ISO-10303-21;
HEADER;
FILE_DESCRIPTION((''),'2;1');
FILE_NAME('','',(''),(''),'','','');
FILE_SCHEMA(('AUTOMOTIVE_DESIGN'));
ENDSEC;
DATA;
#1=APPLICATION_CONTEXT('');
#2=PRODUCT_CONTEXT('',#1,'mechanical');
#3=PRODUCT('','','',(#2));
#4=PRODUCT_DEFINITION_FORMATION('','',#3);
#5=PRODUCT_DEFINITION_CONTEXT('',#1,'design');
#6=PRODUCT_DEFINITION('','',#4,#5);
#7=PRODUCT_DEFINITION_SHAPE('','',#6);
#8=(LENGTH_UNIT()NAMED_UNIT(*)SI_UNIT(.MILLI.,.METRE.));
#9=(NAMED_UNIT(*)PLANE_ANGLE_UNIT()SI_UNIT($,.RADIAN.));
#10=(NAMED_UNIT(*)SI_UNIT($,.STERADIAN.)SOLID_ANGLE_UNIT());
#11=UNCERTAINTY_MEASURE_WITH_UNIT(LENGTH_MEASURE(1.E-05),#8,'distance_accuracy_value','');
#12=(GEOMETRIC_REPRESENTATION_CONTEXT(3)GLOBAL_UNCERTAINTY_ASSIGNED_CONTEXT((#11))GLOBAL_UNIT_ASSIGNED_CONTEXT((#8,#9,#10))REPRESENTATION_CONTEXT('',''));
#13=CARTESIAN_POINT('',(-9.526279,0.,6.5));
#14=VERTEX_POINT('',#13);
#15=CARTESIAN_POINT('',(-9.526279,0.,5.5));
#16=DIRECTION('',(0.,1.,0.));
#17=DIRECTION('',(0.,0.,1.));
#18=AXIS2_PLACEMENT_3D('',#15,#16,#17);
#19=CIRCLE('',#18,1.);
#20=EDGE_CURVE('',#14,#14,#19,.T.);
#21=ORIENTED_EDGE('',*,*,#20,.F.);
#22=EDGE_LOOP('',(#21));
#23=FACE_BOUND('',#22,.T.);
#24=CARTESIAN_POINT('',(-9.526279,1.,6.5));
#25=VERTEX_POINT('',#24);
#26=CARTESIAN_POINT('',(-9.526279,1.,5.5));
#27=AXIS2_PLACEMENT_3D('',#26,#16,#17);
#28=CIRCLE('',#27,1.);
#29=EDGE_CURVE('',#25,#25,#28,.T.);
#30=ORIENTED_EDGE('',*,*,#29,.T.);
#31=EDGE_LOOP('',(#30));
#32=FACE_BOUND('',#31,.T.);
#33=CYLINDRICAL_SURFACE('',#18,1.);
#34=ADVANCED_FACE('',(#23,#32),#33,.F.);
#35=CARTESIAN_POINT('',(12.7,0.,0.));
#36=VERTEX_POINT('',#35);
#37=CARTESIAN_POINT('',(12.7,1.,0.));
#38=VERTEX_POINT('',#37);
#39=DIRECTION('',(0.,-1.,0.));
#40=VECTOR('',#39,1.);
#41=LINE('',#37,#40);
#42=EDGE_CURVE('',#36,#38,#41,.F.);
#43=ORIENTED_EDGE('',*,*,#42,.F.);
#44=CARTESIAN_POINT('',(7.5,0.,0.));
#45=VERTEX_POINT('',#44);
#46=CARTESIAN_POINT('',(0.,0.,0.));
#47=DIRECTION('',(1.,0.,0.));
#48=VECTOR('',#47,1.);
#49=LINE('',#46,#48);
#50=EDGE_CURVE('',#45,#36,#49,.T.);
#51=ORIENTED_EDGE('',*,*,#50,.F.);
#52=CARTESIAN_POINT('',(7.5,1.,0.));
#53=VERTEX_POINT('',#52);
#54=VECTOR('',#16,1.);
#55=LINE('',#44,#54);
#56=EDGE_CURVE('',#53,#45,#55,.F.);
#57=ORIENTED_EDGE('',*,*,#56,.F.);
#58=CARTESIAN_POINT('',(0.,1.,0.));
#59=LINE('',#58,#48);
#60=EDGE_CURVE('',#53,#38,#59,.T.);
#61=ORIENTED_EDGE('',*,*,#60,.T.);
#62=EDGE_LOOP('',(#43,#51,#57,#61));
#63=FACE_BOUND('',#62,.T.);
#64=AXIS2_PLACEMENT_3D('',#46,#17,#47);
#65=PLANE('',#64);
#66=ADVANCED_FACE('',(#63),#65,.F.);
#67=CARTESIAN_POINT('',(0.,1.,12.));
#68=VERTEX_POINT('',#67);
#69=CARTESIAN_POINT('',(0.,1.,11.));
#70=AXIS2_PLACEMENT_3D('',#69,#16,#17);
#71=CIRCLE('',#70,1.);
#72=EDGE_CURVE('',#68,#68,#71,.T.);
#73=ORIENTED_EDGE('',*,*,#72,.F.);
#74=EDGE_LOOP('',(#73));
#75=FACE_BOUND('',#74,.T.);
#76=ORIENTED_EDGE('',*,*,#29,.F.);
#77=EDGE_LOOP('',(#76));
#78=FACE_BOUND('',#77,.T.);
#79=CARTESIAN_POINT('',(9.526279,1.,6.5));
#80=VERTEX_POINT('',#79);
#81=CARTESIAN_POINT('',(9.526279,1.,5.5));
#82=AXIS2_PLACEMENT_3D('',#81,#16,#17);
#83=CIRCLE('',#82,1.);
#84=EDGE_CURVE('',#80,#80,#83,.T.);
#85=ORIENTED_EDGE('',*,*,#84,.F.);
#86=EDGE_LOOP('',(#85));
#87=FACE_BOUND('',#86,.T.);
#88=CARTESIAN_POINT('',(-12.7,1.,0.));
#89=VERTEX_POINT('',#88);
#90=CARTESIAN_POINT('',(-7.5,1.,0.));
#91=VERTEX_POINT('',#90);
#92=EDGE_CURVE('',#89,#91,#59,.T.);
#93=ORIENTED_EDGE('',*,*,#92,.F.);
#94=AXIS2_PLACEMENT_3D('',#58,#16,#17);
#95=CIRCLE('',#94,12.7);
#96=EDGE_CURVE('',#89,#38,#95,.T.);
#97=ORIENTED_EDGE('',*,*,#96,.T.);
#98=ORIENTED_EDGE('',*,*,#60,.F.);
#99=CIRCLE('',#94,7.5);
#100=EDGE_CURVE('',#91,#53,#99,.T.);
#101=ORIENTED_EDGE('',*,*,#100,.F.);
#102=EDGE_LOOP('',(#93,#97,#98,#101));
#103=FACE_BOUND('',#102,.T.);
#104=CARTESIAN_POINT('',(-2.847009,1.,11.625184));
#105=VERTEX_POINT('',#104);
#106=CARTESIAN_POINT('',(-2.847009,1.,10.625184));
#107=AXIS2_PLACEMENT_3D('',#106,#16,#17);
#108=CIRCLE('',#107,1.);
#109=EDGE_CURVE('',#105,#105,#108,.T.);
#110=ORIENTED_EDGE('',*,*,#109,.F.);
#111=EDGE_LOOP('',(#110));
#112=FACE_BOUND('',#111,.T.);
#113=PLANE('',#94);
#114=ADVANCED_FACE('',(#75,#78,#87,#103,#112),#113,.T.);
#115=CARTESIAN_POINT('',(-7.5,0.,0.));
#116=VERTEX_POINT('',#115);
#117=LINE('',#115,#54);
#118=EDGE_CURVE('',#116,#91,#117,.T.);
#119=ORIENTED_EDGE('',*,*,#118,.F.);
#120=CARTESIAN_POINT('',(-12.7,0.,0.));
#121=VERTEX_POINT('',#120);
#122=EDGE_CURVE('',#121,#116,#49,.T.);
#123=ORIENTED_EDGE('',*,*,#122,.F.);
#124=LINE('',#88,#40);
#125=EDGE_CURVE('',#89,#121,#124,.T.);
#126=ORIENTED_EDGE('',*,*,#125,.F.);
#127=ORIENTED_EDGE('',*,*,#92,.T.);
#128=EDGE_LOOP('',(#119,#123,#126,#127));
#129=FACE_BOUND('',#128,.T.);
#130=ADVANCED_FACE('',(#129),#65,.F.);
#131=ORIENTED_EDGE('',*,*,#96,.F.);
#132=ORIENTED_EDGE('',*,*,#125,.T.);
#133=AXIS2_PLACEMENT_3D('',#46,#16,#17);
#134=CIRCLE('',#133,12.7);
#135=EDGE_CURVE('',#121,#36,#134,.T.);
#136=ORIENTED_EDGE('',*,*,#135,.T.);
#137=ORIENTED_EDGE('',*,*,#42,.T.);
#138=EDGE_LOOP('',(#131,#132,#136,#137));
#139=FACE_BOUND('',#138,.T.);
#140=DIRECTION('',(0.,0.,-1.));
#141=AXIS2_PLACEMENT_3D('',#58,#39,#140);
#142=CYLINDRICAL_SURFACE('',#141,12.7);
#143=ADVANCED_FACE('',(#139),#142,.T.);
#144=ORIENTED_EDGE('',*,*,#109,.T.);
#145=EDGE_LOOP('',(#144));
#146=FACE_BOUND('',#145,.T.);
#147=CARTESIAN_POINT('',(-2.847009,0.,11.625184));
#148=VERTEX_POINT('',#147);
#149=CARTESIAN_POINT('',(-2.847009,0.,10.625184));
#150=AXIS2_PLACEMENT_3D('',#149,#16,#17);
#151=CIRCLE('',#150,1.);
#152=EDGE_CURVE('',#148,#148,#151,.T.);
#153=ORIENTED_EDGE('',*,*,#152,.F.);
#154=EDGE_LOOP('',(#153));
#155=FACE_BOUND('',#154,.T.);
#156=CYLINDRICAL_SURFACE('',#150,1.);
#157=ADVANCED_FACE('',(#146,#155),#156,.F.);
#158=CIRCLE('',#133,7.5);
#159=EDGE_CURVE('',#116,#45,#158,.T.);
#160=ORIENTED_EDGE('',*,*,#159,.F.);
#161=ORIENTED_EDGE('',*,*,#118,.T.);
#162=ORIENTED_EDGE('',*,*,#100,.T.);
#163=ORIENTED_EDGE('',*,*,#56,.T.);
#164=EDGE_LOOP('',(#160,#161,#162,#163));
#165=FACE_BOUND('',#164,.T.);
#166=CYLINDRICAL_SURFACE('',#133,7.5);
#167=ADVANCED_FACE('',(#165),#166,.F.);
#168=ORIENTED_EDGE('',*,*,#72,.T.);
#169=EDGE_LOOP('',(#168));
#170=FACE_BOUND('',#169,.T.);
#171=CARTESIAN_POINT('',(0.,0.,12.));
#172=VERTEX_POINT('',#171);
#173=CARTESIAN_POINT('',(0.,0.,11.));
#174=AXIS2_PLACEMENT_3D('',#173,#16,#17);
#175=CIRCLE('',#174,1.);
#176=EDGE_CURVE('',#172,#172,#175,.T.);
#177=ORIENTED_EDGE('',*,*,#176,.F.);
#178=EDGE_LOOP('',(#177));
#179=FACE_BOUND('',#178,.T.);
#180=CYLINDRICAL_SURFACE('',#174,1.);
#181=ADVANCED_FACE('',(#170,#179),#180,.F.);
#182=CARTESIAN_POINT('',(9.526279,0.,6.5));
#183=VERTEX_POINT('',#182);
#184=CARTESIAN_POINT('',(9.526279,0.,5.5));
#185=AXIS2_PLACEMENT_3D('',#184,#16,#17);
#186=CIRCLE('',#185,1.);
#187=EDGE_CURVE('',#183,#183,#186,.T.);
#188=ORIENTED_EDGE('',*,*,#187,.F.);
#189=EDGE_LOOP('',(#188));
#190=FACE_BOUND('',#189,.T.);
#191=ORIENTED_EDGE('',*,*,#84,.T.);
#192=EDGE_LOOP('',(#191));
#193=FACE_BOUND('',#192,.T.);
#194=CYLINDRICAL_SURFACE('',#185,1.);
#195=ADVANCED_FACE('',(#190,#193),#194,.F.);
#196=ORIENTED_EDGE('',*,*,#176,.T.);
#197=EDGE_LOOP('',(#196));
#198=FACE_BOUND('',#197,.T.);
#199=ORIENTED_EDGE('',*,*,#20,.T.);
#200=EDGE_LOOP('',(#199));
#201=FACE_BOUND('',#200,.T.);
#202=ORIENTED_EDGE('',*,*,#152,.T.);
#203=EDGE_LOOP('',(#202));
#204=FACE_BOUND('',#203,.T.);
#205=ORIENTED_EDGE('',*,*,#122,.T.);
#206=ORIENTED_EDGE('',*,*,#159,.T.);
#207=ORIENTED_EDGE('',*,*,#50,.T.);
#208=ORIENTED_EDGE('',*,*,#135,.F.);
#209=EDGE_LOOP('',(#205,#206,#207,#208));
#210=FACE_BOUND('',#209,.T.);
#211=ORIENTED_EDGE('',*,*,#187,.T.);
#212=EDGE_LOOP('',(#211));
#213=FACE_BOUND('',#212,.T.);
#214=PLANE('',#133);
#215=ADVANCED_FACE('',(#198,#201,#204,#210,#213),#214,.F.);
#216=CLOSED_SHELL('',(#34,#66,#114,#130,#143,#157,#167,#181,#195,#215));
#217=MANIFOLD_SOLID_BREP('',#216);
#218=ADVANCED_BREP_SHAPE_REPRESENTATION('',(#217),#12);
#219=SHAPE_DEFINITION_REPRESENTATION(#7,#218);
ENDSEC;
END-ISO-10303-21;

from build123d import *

# Parameters (mm, degrees)
SKETCH1_R               = 12.7
BOSS_EXTRUDE1_DEPTH     = 1
CUT_EXTRUDE1_DEPTH      = 18.98832955
CUT_EXTRUDE1_DEPTH_BACK = 18.98832955
SKETCH19_R              = 1
CUT_EXTRUDE2_DEPTH      = 18.98832955
CUT_EXTRUDE2_DEPTH_BACK = 18.98832955
SKETCH20_R              = 7.5
SKETCH21_W              = 65.874202484
SKETCH21_H              = 51.979273979
CUT_EXTRUDE3_DEPTH      = 18.98832955
CUT_EXTRUDE4_DEPTH      = 18.98832955
CUT_EXTRUDE4_DEPTH_BACK = 18.98832955
SKETCH22_R              = 1


with BuildPart() as part:
    # Sketch1 → Boss-Extrude1 (new body)
    with BuildSketch(Plane(origin=(0, 0, 0), x_dir=(1, 0, 0), z_dir=(0, 1, 0))):
        with Locations(Location((0, 0, 0), (0, 0, 270))):
            Circle(SKETCH1_R)
    extrude(amount=BOSS_EXTRUDE1_DEPTH)

    # Sketch19 → Cut-Extrude1 (cut, two sides: drawn at the far end of the back side and taken through both)
    with BuildSketch(Plane(origin=(0, 1, 0), x_dir=(1, 0, 0), z_dir=(0, 1, 0)).offset(-CUT_EXTRUDE1_DEPTH_BACK)):
        with Locations(Location((0, 11, 0), (0, 0, 270))):
            Circle(SKETCH19_R)
        with Locations(Location((9.526279442, 5.5, 0), (0, 0, 270))):
            Circle(SKETCH19_R)
        with Locations(Location((9.526279442, -5.5, 0), (0, 0, 270))):
            Circle(SKETCH19_R)
        with Locations(Location((0, -11, 0), (0, 0, 270))):
            Circle(SKETCH19_R)
        with Locations(Location((-9.526279442, -5.5, 0), (0, 0, 270))):
            Circle(SKETCH19_R)
        with Locations(Location((-9.526279442, 5.5, 0), (0, 0, 270))):
            Circle(SKETCH19_R)
    extrude(amount=CUT_EXTRUDE1_DEPTH + CUT_EXTRUDE1_DEPTH_BACK, mode=Mode.SUBTRACT)

    # Sketch20 → Cut-Extrude2 (cut, two sides: drawn at the far end of the back side and taken through both)
    with BuildSketch(Plane(origin=(0, 1, 0), x_dir=(1, 0, 0), z_dir=(0, 1, 0)).offset(-CUT_EXTRUDE2_DEPTH_BACK)):
        with Locations(Location((0, 0, 0), (0, 0, 270))):
            Circle(SKETCH20_R)
    extrude(amount=CUT_EXTRUDE2_DEPTH + CUT_EXTRUDE2_DEPTH_BACK, mode=Mode.SUBTRACT)

    # Sketch21 → Cut-Extrude3 (cut, through all)
    with BuildSketch(Plane.XY):
        with Locations((-3.816154381, 6.321647006)):
            Rectangle(SKETCH21_W, SKETCH21_H)
    extrude(amount=-CUT_EXTRUDE3_DEPTH, mode=Mode.SUBTRACT)

    # Sketch22 → Cut-Extrude4 (cut, two sides: drawn at the far end of the back side and taken through both)
    with BuildSketch(Plane(origin=(0, 1, 0), x_dir=(1, 0, 0), z_dir=(0, 1, 0)).offset(-CUT_EXTRUDE4_DEPTH_BACK)):
        with Locations(Location((-2.847009496, -10.625184089, 0), (0, 0, 270))):
            Circle(SKETCH22_R)
    extrude(amount=CUT_EXTRUDE4_DEPTH + CUT_EXTRUDE4_DEPTH_BACK, mode=Mode.SUBTRACT)


solid = part.part
